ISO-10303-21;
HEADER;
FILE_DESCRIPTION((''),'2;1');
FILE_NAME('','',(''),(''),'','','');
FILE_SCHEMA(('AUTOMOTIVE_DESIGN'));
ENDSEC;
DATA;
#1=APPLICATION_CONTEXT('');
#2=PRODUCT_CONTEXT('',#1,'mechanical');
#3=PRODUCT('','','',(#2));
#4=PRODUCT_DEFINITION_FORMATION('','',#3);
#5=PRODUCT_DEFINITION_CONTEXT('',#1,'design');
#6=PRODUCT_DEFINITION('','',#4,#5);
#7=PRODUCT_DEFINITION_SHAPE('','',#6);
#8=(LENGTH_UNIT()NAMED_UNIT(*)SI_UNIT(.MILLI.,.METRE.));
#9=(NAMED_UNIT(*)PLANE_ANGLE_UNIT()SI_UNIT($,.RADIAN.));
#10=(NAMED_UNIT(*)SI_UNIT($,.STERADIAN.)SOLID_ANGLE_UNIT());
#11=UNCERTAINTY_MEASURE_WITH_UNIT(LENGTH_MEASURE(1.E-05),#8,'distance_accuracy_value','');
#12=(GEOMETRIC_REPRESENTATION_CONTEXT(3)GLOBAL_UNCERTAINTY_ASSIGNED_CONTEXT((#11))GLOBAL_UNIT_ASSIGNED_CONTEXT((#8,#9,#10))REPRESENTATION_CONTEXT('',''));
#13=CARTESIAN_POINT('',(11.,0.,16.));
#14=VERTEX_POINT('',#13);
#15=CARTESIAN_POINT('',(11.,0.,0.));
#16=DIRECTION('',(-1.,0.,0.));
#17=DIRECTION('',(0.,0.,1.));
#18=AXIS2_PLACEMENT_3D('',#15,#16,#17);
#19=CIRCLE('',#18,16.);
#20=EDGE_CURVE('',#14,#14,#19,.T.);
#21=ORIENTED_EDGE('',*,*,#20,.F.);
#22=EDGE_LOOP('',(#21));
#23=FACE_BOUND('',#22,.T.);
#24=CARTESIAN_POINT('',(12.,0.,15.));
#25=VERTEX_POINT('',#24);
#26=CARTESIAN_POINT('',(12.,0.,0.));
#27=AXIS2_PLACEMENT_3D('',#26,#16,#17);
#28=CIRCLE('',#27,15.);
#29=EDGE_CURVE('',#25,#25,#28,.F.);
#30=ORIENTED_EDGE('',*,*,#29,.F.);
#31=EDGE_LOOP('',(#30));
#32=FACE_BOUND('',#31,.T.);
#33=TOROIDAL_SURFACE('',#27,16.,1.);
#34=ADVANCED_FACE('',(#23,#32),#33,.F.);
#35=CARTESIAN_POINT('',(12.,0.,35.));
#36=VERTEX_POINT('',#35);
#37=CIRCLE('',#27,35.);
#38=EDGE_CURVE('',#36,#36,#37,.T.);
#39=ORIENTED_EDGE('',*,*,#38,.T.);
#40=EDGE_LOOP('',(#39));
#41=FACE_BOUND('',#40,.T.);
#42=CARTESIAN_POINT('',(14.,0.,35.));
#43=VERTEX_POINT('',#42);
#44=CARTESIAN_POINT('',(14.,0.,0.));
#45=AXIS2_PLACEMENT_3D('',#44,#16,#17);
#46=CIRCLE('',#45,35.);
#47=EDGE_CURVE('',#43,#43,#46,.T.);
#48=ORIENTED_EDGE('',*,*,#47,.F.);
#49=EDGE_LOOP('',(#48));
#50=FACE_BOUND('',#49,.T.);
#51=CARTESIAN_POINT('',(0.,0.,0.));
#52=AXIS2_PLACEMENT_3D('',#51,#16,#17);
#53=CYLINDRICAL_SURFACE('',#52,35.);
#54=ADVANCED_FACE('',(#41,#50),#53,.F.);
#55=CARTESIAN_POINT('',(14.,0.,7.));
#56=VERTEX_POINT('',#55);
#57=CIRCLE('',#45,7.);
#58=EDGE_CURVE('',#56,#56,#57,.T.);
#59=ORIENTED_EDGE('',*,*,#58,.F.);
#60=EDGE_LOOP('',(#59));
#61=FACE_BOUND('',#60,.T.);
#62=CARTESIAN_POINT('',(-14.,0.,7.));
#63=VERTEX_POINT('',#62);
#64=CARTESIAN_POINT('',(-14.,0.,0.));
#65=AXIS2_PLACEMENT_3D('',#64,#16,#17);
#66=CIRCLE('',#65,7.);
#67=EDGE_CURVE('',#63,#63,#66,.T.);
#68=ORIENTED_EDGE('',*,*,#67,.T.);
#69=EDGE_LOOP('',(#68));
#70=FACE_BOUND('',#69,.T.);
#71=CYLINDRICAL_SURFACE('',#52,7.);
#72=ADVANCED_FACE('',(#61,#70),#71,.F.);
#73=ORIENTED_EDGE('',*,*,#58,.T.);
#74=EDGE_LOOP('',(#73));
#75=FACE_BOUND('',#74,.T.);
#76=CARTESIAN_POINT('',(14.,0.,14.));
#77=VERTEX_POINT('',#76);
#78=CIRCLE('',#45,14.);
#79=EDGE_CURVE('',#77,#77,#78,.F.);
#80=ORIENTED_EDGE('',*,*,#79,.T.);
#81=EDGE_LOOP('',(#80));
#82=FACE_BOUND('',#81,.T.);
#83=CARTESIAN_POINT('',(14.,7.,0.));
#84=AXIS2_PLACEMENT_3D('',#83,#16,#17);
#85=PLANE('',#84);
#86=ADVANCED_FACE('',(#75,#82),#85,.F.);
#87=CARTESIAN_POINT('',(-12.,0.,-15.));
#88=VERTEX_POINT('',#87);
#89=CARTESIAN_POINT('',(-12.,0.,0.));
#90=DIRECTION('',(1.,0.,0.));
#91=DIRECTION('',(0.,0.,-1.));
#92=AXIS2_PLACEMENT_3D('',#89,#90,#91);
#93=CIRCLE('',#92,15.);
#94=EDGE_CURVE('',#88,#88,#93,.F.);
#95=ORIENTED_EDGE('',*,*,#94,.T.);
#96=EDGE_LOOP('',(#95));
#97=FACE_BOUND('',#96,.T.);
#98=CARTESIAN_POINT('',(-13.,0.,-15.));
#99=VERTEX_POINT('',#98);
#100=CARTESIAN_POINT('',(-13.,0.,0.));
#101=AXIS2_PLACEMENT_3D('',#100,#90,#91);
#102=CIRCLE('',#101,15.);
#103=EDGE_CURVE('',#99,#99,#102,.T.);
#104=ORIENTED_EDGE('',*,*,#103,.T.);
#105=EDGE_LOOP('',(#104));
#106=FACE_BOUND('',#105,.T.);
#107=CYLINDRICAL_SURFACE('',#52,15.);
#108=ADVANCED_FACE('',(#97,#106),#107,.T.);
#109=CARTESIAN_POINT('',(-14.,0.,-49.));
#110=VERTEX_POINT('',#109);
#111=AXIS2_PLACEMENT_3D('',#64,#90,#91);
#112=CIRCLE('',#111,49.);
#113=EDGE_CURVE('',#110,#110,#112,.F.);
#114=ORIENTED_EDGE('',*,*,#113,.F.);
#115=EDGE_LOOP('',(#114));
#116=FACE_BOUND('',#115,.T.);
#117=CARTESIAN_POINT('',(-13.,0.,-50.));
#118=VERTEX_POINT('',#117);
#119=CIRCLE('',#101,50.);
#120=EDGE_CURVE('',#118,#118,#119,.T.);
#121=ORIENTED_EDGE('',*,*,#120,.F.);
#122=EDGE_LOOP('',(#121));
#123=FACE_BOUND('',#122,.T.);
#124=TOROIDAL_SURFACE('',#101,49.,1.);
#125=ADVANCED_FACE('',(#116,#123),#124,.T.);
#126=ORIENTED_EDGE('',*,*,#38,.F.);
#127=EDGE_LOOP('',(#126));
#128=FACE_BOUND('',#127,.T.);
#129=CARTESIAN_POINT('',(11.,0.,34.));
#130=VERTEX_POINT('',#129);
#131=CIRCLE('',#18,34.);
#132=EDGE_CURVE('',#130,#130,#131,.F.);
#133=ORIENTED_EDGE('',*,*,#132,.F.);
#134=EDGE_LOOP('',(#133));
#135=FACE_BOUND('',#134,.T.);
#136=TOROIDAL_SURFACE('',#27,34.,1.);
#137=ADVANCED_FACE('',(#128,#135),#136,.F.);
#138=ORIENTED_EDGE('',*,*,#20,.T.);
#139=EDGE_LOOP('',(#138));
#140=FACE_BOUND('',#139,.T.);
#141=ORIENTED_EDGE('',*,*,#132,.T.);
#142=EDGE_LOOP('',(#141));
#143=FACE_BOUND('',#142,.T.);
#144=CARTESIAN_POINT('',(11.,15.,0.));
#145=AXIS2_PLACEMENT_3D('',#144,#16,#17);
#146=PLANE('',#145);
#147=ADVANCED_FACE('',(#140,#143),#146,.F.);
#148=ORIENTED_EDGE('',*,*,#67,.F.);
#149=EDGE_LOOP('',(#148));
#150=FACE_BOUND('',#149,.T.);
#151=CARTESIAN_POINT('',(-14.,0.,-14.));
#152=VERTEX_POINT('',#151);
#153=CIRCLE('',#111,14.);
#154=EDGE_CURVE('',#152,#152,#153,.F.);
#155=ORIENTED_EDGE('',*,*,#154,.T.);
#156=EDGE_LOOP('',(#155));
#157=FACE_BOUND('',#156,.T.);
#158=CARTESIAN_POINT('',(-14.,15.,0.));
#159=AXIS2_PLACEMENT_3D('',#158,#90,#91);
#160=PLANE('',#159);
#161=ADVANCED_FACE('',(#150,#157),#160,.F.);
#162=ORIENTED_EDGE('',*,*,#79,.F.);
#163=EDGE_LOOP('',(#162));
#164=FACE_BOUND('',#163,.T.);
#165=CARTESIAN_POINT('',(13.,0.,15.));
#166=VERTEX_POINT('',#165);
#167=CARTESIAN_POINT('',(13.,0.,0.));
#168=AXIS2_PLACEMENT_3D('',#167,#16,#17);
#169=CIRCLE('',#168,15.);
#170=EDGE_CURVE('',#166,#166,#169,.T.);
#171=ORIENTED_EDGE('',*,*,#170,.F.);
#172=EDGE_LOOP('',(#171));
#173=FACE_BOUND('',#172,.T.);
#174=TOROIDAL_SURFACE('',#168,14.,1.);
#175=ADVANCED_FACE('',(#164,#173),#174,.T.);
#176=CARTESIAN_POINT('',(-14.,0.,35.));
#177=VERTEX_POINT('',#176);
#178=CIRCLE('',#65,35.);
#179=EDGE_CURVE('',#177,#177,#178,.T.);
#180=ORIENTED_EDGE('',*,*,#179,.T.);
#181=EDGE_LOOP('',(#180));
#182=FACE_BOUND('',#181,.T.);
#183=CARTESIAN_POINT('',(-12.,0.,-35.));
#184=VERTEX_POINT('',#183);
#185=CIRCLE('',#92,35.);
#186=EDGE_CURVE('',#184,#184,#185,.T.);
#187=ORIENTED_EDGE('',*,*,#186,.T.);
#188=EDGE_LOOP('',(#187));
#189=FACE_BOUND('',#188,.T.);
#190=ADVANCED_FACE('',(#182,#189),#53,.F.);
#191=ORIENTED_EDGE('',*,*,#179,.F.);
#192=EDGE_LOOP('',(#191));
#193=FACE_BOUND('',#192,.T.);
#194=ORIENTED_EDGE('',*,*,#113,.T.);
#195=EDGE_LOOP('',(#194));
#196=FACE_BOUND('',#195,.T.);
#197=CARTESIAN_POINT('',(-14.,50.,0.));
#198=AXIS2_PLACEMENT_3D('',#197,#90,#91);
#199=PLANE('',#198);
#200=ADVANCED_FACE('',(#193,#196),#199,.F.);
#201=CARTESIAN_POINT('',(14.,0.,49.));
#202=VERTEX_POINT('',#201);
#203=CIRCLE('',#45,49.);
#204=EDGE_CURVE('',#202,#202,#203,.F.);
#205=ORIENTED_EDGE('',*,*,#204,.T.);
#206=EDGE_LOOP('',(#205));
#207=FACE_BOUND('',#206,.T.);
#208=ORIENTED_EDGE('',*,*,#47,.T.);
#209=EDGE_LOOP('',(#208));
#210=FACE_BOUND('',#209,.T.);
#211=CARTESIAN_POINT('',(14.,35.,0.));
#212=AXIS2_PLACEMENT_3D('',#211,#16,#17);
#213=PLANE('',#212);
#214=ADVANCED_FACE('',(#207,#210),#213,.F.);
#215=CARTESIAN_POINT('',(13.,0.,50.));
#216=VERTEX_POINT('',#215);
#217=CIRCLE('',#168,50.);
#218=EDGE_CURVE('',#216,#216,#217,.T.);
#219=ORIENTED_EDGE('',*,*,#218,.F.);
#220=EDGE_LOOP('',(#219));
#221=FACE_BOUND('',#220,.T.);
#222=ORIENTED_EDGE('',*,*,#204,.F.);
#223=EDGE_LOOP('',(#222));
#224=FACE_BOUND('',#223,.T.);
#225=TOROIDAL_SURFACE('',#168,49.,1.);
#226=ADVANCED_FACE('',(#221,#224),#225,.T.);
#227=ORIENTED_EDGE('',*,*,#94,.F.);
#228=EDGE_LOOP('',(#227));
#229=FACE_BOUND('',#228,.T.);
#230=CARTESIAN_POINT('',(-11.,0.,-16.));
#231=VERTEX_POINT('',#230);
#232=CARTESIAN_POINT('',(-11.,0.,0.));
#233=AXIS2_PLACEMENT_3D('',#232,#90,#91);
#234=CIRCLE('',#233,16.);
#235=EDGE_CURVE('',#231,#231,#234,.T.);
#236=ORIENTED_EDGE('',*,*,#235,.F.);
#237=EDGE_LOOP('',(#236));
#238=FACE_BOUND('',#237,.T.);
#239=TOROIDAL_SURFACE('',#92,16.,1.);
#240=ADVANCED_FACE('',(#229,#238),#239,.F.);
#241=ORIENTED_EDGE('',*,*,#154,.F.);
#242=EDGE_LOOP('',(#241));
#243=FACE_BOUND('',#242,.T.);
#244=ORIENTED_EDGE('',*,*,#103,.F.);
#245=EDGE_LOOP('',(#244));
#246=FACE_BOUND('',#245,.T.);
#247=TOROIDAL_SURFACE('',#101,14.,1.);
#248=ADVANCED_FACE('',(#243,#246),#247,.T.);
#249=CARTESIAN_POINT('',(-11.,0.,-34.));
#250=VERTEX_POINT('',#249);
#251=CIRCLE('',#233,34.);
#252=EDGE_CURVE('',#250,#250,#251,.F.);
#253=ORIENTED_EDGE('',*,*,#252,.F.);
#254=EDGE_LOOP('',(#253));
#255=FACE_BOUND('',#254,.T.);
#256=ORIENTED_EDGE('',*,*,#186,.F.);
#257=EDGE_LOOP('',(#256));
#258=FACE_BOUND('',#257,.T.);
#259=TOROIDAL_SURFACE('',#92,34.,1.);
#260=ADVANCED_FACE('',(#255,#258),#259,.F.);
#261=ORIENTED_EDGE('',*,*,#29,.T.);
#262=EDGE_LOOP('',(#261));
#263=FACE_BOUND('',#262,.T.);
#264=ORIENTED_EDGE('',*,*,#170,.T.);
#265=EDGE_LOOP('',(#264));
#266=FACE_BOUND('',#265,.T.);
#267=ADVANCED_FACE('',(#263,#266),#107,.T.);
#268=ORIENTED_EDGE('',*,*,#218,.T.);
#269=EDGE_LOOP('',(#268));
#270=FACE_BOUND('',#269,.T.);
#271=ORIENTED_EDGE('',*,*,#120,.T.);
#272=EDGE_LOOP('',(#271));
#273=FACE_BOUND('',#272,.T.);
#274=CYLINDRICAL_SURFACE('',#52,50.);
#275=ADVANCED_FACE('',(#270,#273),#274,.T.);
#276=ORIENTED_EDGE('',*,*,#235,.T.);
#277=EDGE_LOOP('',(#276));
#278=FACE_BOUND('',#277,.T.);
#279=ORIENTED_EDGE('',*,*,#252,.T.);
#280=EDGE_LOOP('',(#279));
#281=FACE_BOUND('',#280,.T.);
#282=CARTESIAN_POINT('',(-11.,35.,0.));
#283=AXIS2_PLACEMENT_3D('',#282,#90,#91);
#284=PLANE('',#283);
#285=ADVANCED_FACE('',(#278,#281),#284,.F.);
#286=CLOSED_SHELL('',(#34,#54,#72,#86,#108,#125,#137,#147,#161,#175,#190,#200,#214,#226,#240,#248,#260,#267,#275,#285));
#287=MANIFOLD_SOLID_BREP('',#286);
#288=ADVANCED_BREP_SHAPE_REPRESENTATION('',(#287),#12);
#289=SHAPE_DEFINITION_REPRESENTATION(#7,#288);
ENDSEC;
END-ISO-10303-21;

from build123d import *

# Parameters (mm, degrees)
FILLET1_R = 1


with BuildPart() as part:
    # Sketch1 → Revolve1 (revolve)
    with BuildSketch(Plane.XY):
        Polygon((-14, 7), (14, 7), (14, 15), (11, 15), (11, 35), (14, 35), (14, 50), (-14, 50), (-14, 35), (-11, 35), (-11, 15), (-14, 15), align=None)
    revolve(axis=Axis((0, 0, 0), (1, 0, 0)))

    # Fillet1
    fillet1_edges = [part.edges().sort_by_distance(p)[0] for p in [
        (-14, -50, 0),
        (14, -50, 0),
        (11, -35, 0),
        (11, -15, 0),
        (14, -15, 0),
        (-14, -15, 0),
        (-11, -15, 0),
        (-11, -35, 0),
    ]]
    fillet(fillet1_edges, radius=FILLET1_R)


solid = part.part
